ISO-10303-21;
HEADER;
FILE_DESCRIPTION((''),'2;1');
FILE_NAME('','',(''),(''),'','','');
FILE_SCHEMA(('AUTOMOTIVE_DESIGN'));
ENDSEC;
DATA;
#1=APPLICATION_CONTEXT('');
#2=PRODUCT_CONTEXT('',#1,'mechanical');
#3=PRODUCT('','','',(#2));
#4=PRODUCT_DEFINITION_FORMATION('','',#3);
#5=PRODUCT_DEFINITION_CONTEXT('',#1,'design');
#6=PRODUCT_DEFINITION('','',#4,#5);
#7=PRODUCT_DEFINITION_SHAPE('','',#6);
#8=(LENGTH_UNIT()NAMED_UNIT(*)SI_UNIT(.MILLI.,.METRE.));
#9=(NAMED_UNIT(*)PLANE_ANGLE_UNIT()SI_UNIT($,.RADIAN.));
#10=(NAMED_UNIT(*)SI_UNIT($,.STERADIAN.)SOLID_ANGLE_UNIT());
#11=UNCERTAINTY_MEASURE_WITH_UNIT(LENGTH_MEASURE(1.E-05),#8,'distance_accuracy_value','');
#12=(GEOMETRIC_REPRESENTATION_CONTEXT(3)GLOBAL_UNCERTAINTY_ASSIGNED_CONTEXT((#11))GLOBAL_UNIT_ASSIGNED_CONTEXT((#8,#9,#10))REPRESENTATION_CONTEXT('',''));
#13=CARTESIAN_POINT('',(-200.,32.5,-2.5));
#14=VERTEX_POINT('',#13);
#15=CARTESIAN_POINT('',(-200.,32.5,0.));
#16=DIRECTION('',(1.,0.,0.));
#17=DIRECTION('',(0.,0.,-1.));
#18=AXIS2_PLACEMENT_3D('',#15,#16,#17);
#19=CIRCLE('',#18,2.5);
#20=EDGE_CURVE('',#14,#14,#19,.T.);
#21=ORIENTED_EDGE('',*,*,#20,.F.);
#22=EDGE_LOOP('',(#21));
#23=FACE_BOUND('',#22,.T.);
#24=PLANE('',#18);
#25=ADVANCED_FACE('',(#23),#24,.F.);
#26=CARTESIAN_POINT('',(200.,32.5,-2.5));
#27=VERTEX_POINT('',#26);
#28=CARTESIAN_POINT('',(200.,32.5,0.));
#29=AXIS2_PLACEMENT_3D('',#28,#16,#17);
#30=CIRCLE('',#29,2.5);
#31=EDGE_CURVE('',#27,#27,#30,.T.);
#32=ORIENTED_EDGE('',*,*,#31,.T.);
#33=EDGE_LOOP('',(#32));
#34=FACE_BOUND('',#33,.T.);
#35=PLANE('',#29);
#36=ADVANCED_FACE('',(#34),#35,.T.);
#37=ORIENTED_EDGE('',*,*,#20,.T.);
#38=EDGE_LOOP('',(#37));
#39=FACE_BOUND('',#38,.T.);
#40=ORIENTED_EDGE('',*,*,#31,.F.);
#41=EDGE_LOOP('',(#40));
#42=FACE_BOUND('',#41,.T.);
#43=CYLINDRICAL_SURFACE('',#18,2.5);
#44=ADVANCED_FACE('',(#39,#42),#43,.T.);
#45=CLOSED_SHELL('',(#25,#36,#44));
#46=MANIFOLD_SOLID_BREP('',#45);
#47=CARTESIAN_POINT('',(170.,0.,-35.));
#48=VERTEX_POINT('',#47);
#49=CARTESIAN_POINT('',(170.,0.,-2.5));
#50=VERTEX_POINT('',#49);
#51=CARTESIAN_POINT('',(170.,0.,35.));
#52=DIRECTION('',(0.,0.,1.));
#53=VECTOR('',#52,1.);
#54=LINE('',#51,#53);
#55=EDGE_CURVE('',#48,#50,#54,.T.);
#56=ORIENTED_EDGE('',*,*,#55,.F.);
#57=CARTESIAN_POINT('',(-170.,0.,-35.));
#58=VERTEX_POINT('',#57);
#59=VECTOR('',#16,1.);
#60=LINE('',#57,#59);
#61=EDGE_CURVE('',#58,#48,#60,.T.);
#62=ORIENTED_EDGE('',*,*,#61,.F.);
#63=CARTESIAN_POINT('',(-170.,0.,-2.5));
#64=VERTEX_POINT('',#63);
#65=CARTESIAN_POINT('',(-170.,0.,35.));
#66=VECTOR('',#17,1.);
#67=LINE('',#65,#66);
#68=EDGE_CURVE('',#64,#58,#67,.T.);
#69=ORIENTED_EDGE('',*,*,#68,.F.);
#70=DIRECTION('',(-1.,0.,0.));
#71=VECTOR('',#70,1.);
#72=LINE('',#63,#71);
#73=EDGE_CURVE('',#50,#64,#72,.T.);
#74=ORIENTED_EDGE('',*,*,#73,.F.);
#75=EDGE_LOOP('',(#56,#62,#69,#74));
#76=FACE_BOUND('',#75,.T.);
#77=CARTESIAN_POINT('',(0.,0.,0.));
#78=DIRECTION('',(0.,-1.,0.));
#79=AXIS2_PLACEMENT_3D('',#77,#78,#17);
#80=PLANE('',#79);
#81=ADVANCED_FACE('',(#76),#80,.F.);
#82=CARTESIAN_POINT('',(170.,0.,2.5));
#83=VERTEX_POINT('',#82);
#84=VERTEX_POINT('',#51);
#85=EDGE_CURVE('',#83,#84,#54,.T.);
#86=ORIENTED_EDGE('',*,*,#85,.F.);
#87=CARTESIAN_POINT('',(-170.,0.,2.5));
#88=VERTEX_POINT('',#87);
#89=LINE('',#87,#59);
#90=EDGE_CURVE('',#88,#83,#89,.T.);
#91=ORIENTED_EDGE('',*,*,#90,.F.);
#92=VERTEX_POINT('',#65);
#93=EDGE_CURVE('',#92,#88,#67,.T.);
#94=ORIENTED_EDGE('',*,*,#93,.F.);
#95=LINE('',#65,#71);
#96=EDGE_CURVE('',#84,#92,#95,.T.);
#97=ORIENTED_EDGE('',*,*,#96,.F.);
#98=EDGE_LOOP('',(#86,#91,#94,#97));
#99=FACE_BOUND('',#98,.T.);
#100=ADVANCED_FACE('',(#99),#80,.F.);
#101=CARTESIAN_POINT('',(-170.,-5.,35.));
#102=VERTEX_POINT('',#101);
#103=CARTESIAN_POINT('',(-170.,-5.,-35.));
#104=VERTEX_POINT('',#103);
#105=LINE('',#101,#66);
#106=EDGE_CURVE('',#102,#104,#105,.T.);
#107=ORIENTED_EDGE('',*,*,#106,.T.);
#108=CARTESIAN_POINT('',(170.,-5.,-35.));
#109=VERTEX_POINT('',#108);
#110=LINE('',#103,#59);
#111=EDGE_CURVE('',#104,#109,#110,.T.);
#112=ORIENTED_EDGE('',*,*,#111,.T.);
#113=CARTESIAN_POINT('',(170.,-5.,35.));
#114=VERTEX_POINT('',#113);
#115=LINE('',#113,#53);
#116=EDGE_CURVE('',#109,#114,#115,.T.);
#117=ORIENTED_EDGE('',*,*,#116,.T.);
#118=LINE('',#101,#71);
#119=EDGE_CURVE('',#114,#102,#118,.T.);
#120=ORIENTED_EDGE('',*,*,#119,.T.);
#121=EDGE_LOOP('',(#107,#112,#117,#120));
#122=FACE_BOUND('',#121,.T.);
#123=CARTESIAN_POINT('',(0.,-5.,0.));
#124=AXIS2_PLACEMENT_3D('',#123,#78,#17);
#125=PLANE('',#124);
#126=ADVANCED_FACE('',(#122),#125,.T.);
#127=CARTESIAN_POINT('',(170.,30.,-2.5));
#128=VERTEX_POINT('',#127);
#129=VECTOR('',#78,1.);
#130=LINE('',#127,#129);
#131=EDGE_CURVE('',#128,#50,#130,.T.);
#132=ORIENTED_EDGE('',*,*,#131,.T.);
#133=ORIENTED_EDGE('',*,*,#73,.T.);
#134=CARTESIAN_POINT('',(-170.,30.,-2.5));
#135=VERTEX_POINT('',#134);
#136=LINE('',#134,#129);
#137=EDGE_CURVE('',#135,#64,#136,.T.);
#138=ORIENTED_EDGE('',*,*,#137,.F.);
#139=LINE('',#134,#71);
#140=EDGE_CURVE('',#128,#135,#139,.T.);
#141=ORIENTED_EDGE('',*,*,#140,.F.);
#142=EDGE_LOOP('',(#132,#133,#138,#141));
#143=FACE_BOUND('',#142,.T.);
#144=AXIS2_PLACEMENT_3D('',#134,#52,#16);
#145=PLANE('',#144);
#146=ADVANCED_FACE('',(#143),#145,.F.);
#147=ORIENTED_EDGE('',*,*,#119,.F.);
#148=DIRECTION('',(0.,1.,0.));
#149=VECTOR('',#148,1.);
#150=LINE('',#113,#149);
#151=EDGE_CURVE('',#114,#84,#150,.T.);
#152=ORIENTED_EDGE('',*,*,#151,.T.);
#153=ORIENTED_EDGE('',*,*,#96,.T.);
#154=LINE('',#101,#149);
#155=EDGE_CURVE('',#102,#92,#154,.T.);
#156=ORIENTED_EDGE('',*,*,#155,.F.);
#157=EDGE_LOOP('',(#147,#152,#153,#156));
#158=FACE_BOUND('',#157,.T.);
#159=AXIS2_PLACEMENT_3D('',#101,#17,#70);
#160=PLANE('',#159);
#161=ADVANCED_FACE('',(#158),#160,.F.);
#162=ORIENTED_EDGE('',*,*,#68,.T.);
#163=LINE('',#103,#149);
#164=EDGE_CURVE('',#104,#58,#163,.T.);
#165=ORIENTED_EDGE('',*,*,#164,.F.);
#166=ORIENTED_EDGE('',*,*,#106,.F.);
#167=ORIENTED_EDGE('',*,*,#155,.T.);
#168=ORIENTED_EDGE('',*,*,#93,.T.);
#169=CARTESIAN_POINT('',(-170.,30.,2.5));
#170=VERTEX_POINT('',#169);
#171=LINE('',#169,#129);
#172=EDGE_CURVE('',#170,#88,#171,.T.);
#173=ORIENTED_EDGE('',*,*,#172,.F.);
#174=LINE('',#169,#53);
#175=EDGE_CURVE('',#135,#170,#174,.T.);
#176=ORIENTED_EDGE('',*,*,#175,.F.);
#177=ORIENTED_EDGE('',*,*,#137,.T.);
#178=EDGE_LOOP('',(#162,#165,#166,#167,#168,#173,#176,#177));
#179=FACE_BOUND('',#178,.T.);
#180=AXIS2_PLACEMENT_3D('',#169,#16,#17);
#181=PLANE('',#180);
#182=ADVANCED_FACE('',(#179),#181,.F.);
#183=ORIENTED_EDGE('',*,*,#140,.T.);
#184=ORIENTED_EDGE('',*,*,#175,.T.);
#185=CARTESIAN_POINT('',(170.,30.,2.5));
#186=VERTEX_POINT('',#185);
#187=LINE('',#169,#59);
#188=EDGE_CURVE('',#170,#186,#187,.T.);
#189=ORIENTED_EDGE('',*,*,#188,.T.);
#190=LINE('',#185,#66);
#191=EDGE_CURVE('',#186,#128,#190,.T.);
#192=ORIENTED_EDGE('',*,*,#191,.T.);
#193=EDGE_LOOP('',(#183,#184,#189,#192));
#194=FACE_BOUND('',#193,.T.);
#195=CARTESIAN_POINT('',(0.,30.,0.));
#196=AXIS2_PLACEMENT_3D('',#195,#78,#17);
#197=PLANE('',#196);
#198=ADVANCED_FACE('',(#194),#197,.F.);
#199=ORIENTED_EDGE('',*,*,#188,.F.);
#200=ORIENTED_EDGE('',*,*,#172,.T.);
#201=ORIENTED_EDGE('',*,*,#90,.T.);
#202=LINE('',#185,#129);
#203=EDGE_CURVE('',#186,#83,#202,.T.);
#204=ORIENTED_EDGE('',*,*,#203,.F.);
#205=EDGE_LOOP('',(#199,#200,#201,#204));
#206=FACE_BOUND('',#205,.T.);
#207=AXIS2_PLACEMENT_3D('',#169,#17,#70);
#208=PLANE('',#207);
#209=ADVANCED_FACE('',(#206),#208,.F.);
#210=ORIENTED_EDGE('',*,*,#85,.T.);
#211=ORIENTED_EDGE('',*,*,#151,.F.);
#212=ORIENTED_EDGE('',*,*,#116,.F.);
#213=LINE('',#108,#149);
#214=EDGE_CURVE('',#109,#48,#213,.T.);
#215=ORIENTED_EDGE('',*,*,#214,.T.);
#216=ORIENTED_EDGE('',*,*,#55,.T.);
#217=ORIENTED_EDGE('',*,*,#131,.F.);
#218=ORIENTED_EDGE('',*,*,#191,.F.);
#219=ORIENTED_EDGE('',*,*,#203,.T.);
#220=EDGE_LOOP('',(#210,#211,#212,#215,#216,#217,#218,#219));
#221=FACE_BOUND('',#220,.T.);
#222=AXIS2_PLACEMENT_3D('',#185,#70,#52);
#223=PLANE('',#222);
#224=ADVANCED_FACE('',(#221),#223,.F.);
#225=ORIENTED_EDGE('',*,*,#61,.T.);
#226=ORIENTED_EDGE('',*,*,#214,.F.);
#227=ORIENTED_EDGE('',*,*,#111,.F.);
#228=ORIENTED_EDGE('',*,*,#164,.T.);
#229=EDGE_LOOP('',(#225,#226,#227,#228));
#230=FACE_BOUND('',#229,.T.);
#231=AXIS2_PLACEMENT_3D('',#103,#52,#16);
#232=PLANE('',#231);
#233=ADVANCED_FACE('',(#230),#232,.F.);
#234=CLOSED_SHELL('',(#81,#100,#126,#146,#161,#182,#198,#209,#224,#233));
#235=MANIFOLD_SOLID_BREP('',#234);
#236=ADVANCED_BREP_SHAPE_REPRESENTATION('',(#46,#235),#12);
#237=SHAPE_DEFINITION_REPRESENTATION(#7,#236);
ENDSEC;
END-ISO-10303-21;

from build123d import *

# Parameters (mm, degrees)
SKETCH1_W                = 340
SKETCH1_H                = 5
BOSS_EXTRUDE1_DEPTH      = 30
SKETCH2_R                = 2.5
BOSS_EXTRUDE2_DEPTH      = 30
BOSS_EXTRUDE2_DEPTH_BACK = 370
SKETCH3_W                = 340
SKETCH3_H                = 70
BOSS_EXTRUDE3_DEPTH      = 5


with BuildPart() as part:
    # Sketch1 → Boss-Extrude1 (new body)
    with BuildSketch(Plane(origin=(0, 0, 0), x_dir=(1, 0, 0), z_dir=(0, 1, 0))):
        Rectangle(SKETCH1_W, SKETCH1_H)
    extrude(amount=BOSS_EXTRUDE1_DEPTH)

    # Sketch3 → Boss-Extrude3 (add)
    with BuildSketch(Plane.XZ):
        Rectangle(SKETCH3_W, SKETCH3_H)
    extrude(amount=BOSS_EXTRUDE3_DEPTH)


with BuildPart() as body_2:
    # Sketch2 → Boss-Extrude2 (new body, two sides)
    with BuildSketch(Plane(origin=(170, 0, 0), x_dir=(0, 0, -1), z_dir=(1, 0, 0))) as boss_extrude2_sk:
        with Locations((0, 32.5)):
            Circle(SKETCH2_R)
    extrude(amount=BOSS_EXTRUDE2_DEPTH)
    extrude(boss_extrude2_sk.sketch, amount=-BOSS_EXTRUDE2_DEPTH_BACK)


solid = Compound([part.part, body_2.part])
